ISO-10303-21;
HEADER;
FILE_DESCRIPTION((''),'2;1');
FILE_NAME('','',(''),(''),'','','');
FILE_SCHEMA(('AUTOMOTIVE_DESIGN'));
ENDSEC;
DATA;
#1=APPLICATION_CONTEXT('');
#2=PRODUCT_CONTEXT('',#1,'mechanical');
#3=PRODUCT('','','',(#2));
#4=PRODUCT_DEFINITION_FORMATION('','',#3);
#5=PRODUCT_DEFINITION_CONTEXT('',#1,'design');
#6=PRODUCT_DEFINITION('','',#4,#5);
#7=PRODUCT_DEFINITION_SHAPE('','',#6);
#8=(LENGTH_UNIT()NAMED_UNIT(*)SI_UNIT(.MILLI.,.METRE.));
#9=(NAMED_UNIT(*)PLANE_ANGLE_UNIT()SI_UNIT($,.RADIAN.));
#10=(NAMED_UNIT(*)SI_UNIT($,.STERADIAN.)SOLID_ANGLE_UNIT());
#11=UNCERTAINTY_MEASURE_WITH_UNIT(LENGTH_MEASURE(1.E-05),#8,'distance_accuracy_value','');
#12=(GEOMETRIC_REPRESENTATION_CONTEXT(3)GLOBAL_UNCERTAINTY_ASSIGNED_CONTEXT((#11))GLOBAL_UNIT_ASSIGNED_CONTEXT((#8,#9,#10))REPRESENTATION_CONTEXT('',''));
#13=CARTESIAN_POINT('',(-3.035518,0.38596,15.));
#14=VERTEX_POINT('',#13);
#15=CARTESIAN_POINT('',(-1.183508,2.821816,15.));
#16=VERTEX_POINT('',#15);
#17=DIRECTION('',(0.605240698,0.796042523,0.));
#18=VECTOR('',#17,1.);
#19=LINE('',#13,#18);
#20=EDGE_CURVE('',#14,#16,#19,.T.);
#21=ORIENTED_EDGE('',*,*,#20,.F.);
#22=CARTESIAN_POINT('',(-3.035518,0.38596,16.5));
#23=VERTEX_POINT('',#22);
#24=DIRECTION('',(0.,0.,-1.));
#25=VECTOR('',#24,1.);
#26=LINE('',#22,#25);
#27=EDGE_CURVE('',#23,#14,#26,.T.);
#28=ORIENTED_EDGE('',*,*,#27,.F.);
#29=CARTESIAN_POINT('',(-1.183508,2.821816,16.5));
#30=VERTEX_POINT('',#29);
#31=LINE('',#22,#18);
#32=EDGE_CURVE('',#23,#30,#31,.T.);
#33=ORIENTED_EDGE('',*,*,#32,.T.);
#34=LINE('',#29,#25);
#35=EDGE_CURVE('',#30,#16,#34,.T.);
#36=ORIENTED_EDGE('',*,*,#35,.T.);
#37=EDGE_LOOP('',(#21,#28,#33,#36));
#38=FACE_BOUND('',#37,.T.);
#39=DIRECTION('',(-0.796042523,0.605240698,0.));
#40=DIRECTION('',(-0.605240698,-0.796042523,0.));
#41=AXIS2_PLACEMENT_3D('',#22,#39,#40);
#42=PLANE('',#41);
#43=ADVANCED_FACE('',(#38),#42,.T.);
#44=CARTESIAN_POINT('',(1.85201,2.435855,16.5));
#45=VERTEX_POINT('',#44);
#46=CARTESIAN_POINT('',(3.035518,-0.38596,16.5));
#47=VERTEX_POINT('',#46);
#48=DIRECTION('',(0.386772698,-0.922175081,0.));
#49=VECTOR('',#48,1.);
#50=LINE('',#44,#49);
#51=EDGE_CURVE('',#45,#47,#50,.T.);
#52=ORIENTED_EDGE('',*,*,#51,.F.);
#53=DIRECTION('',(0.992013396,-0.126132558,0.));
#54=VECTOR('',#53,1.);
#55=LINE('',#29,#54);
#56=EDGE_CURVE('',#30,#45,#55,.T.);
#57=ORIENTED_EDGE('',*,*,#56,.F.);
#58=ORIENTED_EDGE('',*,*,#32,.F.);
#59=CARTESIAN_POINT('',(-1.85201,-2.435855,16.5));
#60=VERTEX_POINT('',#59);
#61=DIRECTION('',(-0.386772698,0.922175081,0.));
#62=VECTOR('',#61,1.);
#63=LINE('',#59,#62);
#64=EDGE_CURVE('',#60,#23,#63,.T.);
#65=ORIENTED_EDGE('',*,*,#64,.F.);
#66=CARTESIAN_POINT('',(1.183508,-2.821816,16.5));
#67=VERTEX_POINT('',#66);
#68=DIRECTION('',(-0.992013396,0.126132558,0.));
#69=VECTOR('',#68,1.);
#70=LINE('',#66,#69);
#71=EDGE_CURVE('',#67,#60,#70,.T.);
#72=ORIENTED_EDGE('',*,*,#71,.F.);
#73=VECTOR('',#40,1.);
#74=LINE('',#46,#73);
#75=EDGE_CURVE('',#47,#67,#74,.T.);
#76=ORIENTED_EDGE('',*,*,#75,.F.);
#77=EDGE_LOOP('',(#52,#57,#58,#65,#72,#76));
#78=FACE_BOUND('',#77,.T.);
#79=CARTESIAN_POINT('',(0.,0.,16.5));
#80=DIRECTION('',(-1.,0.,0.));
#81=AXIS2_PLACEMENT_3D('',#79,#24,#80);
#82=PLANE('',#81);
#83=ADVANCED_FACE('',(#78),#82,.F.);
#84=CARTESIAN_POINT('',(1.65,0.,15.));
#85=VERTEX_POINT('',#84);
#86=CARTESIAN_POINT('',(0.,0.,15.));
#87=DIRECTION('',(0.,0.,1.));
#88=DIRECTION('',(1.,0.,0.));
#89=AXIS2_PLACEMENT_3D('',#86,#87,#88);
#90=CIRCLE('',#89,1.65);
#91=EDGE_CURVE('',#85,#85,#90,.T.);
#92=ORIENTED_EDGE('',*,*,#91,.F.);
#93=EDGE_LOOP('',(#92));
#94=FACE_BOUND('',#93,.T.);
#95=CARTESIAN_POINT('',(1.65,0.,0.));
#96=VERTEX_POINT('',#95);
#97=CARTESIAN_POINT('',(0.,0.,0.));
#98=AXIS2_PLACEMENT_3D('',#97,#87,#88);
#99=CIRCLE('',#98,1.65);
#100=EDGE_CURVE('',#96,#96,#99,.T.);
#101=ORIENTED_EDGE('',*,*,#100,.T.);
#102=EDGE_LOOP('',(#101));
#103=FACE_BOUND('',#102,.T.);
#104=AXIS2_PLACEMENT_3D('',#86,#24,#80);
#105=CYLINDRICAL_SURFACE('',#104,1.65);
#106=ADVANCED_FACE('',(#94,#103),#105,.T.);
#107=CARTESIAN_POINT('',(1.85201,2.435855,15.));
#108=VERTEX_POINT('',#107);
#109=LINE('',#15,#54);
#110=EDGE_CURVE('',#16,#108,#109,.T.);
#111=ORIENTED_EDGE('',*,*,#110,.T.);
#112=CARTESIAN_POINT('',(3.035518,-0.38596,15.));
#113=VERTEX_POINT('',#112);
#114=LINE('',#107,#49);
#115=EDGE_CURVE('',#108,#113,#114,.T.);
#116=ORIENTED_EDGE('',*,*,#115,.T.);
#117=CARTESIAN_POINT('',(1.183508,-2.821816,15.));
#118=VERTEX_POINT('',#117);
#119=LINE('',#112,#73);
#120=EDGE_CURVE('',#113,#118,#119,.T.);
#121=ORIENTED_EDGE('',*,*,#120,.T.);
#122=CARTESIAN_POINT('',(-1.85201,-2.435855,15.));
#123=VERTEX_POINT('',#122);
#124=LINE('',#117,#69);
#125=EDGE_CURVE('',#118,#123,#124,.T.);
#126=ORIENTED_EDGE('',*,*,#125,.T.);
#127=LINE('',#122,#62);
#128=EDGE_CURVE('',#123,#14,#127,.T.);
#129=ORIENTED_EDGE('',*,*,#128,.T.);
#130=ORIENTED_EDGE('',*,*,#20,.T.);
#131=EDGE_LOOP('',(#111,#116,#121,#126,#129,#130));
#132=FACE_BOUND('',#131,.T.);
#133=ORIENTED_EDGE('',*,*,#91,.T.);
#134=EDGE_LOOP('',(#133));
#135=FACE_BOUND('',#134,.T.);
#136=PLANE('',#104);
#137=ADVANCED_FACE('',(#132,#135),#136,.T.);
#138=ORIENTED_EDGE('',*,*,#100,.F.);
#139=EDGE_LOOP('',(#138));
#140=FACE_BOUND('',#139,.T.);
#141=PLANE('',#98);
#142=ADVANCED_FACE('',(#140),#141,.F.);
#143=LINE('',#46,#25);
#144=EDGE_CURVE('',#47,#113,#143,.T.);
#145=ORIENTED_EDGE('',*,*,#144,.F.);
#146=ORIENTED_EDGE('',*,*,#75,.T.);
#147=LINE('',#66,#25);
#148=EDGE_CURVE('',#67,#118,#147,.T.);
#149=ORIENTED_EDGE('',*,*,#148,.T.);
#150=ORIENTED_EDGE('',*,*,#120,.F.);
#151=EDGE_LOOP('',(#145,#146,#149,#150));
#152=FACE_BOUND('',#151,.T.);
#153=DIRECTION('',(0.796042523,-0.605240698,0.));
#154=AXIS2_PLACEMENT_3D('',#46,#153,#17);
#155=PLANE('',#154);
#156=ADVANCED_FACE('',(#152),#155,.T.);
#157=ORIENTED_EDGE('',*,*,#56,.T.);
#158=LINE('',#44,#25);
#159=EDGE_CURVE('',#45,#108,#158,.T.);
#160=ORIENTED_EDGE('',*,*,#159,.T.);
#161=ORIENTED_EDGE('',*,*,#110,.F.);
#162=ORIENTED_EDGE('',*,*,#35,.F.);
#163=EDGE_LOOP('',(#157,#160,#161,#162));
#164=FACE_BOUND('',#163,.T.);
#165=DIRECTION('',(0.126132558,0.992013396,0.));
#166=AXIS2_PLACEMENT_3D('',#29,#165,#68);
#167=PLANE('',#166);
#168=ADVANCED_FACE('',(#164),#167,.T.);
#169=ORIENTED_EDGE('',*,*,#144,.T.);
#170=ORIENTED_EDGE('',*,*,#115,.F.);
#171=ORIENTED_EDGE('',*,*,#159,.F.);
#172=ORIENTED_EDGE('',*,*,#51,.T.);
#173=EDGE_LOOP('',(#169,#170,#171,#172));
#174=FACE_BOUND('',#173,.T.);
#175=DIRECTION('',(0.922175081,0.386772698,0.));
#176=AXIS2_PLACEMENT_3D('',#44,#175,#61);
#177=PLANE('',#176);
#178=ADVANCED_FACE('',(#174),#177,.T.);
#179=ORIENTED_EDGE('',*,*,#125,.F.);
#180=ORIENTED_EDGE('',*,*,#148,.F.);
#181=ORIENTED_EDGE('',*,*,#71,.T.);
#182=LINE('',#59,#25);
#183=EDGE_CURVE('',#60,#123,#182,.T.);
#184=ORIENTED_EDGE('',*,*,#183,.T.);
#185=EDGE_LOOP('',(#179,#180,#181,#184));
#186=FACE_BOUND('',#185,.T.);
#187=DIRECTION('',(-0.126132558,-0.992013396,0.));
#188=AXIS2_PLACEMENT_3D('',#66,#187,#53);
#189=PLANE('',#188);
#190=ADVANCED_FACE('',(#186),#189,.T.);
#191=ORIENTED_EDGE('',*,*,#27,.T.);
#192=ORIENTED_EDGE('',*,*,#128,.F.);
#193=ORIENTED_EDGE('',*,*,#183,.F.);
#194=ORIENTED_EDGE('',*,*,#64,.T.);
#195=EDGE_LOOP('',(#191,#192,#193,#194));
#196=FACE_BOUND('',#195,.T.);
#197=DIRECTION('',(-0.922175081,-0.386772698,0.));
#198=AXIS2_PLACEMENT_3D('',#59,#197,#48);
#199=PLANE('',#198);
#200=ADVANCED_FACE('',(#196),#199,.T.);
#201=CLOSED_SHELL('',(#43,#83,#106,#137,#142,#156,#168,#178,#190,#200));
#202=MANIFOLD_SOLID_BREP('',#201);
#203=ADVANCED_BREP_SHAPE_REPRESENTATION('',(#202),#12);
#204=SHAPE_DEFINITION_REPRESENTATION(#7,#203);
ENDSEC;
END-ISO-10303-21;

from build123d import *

# Parameters (mm, degrees)
SKETCH_1_R      = 1.65
EXTRUDE_1_DEPTH = 15
EXTRUDE_2_DEPTH = 1.5


with BuildPart() as part:
    # 스케치1 → 보스-돌출1 (new body)
    with BuildSketch(Plane.XY):
        Circle(SKETCH_1_R)
    extrude(amount=EXTRUDE_1_DEPTH)

    # 스케치2 → 보스-돌출2 (add)
    with BuildSketch(Plane(origin=(0, 0, 15), x_dir=(-1, 0, 0), z_dir=(0, 0, -1))):
        Polygon((1.852010162, -2.435855433), (3.035517766, 0.385960132), (1.183507604, 2.821815565), (-1.852010162, 2.435855433), (-3.035517766, -0.385960132), (-1.183507604, -2.821815565), align=None)
    extrude(amount=-EXTRUDE_2_DEPTH)


solid = part.part
